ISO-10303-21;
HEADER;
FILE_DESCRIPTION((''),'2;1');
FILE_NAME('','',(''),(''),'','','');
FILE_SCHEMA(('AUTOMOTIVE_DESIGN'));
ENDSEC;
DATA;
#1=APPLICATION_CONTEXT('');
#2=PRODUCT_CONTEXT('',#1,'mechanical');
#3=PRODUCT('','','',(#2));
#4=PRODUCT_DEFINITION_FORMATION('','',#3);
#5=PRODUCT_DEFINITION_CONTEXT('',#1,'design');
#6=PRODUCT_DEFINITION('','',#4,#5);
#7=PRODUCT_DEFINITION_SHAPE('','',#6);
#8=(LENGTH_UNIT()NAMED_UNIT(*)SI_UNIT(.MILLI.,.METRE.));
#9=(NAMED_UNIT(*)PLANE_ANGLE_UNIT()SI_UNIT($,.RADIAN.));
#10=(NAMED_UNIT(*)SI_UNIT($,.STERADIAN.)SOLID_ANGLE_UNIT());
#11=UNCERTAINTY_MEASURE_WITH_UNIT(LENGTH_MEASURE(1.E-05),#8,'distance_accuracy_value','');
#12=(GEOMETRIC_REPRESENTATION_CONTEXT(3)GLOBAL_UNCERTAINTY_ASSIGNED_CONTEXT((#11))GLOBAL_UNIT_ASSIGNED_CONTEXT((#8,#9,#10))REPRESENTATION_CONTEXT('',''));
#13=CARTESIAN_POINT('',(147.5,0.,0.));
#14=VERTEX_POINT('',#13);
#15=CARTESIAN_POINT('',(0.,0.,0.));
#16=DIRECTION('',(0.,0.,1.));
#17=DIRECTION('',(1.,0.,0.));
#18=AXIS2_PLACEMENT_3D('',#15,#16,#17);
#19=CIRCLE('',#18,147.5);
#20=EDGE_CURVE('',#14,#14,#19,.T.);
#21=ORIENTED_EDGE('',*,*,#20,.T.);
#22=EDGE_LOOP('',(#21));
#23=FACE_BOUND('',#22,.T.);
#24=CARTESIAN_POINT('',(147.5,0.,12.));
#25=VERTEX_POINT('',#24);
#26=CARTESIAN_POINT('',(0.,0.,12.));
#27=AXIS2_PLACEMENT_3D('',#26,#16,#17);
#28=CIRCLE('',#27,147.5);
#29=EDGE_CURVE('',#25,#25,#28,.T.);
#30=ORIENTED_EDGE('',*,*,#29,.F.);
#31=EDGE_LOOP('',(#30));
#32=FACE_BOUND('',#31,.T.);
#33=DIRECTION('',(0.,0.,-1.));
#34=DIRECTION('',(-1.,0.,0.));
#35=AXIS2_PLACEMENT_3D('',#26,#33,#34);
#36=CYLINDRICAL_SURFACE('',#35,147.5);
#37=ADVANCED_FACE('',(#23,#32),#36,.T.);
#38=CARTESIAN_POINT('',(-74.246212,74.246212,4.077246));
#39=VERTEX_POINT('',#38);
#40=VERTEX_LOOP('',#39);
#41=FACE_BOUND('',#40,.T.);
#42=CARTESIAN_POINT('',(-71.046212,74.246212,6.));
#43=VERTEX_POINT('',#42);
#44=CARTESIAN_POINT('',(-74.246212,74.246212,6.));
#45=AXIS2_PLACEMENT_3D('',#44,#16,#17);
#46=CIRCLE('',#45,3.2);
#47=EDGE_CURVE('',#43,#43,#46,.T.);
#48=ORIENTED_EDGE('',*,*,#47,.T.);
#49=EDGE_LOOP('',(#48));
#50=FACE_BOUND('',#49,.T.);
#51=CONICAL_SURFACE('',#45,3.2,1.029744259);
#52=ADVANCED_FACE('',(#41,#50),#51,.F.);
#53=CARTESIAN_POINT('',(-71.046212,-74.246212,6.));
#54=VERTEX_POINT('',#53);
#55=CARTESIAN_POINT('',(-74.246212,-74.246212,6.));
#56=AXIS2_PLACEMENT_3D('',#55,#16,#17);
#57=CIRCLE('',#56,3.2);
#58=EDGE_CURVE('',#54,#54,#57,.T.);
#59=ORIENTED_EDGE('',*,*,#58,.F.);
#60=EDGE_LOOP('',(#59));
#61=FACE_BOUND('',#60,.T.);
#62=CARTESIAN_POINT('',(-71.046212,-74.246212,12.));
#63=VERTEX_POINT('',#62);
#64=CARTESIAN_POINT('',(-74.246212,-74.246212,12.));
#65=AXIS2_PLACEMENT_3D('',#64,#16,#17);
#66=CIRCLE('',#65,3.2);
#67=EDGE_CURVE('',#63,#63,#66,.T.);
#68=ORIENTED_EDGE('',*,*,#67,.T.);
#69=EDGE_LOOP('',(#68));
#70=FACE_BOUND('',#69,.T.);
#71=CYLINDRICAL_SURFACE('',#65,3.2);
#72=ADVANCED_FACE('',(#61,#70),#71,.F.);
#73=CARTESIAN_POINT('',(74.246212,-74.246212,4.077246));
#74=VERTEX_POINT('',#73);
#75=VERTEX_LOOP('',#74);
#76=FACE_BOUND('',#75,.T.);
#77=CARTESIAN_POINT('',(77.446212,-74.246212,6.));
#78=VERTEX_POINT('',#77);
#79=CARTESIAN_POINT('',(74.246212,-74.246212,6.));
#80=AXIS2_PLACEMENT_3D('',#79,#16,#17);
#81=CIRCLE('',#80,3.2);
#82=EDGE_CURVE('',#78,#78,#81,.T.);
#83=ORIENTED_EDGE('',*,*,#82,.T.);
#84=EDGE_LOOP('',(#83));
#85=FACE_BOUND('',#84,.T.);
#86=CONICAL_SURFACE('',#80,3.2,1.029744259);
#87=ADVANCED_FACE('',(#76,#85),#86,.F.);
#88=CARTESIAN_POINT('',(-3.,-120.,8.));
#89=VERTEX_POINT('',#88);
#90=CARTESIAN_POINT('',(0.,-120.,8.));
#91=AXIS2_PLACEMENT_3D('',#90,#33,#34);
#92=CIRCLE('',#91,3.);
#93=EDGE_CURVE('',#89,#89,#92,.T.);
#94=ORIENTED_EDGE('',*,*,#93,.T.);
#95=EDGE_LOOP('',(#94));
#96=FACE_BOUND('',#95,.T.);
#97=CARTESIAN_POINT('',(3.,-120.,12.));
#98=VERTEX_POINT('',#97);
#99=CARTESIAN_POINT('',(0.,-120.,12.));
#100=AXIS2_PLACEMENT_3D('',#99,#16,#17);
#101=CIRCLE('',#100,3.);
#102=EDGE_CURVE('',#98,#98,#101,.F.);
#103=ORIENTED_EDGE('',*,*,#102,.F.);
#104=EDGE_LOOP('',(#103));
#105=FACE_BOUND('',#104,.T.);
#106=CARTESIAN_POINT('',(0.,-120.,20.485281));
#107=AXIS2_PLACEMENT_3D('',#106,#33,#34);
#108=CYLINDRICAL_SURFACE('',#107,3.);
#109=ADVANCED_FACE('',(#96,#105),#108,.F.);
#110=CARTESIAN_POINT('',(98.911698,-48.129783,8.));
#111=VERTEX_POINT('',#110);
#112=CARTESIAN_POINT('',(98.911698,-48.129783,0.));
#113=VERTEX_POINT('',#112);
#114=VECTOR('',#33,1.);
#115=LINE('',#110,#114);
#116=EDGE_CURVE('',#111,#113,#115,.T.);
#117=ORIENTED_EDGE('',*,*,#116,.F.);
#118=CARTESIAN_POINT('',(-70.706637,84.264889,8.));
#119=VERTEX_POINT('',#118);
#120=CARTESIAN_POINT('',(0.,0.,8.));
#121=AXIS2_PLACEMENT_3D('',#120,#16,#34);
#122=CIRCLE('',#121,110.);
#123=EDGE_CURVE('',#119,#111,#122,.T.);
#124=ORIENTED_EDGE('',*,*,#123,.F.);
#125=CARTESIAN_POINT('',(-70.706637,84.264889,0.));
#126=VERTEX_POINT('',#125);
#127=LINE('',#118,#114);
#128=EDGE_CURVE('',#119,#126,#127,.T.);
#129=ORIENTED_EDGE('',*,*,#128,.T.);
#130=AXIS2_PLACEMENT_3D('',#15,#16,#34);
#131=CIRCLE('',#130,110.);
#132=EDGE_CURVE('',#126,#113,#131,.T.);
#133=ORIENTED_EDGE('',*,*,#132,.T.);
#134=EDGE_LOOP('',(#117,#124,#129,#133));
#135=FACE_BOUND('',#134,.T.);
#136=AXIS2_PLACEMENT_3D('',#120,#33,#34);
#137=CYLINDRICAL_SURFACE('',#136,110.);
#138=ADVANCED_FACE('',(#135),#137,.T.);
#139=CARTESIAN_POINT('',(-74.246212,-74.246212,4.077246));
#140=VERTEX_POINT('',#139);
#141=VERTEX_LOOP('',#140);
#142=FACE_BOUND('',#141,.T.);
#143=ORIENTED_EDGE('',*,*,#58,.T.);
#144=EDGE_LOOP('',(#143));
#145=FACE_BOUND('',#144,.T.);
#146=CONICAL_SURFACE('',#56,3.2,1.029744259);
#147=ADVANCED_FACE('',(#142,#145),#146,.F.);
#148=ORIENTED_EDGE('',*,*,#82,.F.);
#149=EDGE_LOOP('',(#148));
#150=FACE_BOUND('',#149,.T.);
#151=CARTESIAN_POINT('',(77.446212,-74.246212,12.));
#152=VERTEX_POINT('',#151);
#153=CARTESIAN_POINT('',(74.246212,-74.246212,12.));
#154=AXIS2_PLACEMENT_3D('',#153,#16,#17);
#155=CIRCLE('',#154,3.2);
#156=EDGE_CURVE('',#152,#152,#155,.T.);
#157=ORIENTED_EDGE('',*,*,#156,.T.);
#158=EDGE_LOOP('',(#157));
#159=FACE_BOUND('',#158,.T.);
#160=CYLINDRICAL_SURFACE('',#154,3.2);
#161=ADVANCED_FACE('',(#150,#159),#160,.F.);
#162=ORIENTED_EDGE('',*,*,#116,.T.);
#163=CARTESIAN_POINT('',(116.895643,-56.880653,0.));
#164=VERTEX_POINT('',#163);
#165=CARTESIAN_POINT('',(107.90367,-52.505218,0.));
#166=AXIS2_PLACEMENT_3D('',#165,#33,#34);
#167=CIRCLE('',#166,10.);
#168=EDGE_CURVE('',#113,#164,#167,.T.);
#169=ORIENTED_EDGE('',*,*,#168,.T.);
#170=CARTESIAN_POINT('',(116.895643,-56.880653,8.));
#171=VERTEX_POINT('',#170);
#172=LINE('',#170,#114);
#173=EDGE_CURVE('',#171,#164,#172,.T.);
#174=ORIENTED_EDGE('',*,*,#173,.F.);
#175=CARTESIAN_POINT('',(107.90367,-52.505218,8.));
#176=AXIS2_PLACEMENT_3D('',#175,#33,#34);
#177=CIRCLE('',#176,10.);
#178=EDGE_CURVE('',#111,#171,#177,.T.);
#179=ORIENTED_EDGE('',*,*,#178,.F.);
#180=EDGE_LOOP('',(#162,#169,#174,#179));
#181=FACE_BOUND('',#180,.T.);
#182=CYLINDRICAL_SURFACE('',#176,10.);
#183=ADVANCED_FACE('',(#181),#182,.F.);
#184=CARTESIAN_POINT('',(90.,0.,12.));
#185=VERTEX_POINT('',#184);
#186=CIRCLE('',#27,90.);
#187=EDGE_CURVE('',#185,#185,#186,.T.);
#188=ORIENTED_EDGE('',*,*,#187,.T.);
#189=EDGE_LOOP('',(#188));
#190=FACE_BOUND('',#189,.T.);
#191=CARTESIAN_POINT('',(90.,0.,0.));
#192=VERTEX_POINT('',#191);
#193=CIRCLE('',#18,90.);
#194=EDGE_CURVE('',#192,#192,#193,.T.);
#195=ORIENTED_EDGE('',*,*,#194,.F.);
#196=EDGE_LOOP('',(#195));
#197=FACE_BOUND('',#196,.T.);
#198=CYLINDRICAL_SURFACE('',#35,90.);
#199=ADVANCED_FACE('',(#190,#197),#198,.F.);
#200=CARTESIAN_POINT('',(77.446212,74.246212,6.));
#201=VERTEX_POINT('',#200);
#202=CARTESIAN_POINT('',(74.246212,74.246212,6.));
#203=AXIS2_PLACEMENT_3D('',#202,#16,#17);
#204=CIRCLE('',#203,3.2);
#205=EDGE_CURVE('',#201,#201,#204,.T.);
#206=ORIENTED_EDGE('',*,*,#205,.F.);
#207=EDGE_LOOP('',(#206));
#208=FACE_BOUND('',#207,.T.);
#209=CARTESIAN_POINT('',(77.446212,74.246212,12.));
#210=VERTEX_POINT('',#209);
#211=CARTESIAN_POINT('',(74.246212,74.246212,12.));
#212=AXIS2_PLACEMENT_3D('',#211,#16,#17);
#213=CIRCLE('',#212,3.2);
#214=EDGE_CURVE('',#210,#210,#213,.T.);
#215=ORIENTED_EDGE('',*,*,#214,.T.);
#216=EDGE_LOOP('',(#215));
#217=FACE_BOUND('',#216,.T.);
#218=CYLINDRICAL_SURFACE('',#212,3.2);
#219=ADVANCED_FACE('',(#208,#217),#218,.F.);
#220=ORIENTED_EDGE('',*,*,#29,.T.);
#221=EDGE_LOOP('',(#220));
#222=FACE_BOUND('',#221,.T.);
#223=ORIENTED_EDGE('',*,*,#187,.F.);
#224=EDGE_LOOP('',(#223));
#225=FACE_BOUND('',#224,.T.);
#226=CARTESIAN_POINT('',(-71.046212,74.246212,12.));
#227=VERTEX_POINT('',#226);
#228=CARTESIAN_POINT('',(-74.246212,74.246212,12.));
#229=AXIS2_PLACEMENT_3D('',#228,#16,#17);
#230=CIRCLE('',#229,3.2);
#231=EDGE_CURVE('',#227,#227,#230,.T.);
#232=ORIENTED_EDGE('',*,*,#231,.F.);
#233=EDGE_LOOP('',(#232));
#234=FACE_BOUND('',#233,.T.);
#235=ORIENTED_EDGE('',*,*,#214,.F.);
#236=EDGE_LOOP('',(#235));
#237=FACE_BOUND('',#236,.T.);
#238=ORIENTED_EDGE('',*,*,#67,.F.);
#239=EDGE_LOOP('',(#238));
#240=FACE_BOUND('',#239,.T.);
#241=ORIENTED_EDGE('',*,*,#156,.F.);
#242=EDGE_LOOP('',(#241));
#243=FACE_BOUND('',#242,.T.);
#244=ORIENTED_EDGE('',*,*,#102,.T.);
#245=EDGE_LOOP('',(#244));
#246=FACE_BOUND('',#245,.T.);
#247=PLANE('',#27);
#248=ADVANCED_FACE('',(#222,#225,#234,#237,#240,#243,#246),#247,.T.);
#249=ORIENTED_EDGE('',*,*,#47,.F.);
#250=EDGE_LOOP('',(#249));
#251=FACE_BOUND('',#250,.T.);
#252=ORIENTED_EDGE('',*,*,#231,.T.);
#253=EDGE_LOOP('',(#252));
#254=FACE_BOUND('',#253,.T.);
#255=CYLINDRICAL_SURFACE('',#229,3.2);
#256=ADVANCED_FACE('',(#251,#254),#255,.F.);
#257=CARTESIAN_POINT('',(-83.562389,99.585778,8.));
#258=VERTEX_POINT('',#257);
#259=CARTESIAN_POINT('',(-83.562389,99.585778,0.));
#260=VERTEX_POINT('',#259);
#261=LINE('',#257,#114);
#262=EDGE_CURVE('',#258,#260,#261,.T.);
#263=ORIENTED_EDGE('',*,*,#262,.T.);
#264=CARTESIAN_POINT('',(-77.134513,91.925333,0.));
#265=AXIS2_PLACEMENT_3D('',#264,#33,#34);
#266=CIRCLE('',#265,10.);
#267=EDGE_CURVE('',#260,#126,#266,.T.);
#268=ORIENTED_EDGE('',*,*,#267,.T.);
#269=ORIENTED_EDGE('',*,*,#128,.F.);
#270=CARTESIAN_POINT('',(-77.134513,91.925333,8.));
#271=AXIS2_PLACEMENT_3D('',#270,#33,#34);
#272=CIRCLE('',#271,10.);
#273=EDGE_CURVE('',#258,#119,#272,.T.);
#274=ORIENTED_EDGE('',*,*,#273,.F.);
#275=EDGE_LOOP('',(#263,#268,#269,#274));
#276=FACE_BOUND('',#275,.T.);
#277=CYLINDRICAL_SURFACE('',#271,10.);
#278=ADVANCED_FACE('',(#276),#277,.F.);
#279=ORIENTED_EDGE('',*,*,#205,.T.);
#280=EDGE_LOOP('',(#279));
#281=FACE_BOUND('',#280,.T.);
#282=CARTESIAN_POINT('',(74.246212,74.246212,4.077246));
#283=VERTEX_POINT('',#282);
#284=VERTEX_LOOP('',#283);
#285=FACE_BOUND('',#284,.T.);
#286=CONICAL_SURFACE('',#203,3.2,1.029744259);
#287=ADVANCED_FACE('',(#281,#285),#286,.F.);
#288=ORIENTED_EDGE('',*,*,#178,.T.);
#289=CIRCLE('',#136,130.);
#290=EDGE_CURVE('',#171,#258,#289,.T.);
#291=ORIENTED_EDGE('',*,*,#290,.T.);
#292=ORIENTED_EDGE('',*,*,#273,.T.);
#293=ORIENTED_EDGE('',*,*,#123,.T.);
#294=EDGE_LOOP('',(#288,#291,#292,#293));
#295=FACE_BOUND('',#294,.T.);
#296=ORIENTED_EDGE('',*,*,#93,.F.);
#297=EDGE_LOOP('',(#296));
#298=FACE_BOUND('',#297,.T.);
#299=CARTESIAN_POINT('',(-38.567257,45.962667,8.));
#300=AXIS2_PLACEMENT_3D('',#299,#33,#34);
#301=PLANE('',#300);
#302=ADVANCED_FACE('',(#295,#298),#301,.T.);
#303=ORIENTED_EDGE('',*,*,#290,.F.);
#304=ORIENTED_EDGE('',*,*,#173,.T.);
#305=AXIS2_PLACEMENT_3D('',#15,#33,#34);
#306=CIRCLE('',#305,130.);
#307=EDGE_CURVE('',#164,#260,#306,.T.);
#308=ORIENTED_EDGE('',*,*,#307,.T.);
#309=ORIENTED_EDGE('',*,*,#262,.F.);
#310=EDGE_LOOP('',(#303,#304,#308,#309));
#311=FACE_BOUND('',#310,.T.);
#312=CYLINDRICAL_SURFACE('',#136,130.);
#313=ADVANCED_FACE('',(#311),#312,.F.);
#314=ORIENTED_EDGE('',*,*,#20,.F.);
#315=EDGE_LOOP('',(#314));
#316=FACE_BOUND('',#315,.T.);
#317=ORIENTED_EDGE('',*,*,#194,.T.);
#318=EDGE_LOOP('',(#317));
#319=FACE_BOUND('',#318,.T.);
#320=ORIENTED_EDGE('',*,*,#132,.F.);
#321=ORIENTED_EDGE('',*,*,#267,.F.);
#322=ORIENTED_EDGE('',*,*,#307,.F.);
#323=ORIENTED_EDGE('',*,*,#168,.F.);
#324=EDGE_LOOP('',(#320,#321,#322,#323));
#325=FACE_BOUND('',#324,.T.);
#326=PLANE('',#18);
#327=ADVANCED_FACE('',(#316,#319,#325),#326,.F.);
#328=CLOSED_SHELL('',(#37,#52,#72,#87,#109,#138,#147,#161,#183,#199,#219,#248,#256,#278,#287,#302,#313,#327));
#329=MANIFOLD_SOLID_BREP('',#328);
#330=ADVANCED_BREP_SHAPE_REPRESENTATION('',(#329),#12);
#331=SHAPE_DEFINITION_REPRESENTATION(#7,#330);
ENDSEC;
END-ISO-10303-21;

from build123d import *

# Parameters (mm, degrees)
SCHIZZO1_R                   = 147.5
SCHIZZO1_R_2                 = 90
ESTRUSIONE_ESTRUSIONE1_DEPTH = 12
TAGLIO_ESTRUSIONE1_DEPTH     = 8
SCHIZZO10_R                  = 3
TAGLIO_ESTRUSIONE2_DEPTH     = 4
RIPETIZIONECIRCOLARE3_COUNT  = 4


with BuildPart() as part:
    # Schizzo1 → Estrusione-Estrusione1 (new body)
    with BuildSketch(Plane.XY):
        Circle(SCHIZZO1_R)
        Circle(SCHIZZO1_R_2, mode=Mode.SUBTRACT)
    extrude(amount=ESTRUSIONE_ESTRUSIONE1_DEPTH)

    # Schizzo3 → Taglio-Estrusione1 (cut)
    with BuildSketch(Plane(origin=(0, 0, 0), x_dir=(-1, 0, 0), z_dir=(0, 0, -1))):
        with BuildLine():
            ThreePointArc((83.562389259, 99.585777605), (69.474068731, 98.353209271), (70.706637066, 84.264888743))
            ThreePointArc((70.706637066, 84.264888743), (67.682853372, -86.712348368), (-98.91169794, -48.12978299))
            ThreePointArc((-98.91169794, -48.12978299), (-112.279105297, -43.513245268), (-116.89564302, -56.880652625))
            ThreePointArc((-116.89564302, -56.880652625), (79.988826712, -102.478229889), (83.562389259, 99.585777605))
        make_face()
    extrude(amount=-TAGLIO_ESTRUSIONE1_DEPTH, mode=Mode.SUBTRACT)

    # Schizzo10 → Taglio-Estrusione2 (cut)
    with BuildSketch(Plane(origin=(0, 0, 8), x_dir=(-1, 0, 0), z_dir=(0, 0, -1))):
        with Locations((0, -120)):
            Circle(SCHIZZO10_R)
    extrude(amount=-TAGLIO_ESTRUSIONE2_DEPTH, mode=Mode.SUBTRACT)

    # Schizzo13 → Foro per Vite M6-1 (revolve, cut)
    with BuildSketch(Plane(origin=(-74.246212025, -74.246212025, 12), x_dir=(0, -1, 0), z_dir=(1, 0, 0))):
        Polygon((0, 0), (0, 7.922753981), (3.2, 6), (3.2, 0), align=None)
    foro_per_vite_m6_1 = revolve(axis=Axis((-74.246212025, -74.246212025, 18.35), (0, 0, -1)), mode=Mode.SUBTRACT)

    # RipetizioneCircolare3: Foro per Vite M6-1 ×4 about axis
    ripetizionecircolare3_axis = Axis((0, 0, 0), (0, 0, 1))
    for i in range(1, RIPETIZIONECIRCOLARE3_COUNT):
        add(foro_per_vite_m6_1.rotate(ripetizionecircolare3_axis, i * 360 / RIPETIZIONECIRCOLARE3_COUNT), mode=Mode.SUBTRACT)


solid = part.part
